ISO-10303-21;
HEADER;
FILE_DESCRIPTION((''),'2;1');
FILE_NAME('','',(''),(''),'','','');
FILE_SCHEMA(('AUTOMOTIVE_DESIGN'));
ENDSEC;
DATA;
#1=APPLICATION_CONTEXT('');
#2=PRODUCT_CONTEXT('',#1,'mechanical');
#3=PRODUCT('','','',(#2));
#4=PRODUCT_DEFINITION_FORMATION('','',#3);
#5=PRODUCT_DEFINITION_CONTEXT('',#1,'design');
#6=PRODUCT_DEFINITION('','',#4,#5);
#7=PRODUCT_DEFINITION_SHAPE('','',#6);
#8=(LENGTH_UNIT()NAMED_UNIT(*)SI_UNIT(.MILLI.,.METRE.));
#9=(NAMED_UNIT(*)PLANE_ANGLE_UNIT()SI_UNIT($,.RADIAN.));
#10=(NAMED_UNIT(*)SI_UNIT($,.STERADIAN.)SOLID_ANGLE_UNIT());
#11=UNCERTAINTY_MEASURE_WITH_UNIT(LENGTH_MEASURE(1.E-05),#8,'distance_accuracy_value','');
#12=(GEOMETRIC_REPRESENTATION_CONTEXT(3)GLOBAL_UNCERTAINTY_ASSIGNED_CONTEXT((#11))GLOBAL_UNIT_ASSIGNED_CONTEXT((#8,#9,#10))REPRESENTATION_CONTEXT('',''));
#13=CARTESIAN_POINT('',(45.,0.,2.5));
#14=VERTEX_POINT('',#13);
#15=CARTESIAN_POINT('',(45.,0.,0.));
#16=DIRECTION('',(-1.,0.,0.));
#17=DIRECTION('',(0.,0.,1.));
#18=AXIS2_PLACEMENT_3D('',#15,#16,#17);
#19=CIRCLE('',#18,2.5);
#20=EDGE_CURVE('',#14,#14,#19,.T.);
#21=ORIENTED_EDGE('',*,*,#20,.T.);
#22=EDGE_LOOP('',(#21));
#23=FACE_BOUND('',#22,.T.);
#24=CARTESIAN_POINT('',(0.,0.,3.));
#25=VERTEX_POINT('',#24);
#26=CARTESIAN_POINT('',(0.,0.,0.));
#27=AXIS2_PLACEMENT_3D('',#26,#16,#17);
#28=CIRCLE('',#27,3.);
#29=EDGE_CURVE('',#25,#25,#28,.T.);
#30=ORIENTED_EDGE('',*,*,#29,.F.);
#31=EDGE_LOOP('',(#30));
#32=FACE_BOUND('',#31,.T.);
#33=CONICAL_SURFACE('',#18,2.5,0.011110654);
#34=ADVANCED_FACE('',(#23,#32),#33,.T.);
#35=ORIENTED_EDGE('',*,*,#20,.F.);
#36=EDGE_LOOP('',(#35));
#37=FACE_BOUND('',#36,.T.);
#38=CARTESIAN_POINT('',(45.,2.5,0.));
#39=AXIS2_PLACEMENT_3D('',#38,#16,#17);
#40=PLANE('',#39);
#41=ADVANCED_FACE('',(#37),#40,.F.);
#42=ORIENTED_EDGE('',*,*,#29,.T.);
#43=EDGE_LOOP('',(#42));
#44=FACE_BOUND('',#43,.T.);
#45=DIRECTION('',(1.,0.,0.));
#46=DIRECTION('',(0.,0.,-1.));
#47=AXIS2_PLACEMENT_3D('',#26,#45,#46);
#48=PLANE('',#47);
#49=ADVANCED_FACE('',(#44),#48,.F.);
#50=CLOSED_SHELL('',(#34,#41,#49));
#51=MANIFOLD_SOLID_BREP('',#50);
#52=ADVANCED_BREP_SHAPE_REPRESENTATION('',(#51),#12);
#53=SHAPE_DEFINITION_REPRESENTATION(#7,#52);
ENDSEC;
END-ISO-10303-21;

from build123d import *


with BuildPart() as part:
    # Sketch1 → Revolve1 (revolve)
    with BuildSketch(Plane.XY, mode=Mode.PRIVATE) as revolve1_sk:
        Polygon((0, 0), (0, 3), (45, 2.5), (45, 0), align=None)
    revolve(revolve1_sk.sketch.rotate(Axis((0, 0, 0), (1, 0, 0)), 90), axis=Axis((0, 0, 0), (1, 0, 0)))


solid = part.part
